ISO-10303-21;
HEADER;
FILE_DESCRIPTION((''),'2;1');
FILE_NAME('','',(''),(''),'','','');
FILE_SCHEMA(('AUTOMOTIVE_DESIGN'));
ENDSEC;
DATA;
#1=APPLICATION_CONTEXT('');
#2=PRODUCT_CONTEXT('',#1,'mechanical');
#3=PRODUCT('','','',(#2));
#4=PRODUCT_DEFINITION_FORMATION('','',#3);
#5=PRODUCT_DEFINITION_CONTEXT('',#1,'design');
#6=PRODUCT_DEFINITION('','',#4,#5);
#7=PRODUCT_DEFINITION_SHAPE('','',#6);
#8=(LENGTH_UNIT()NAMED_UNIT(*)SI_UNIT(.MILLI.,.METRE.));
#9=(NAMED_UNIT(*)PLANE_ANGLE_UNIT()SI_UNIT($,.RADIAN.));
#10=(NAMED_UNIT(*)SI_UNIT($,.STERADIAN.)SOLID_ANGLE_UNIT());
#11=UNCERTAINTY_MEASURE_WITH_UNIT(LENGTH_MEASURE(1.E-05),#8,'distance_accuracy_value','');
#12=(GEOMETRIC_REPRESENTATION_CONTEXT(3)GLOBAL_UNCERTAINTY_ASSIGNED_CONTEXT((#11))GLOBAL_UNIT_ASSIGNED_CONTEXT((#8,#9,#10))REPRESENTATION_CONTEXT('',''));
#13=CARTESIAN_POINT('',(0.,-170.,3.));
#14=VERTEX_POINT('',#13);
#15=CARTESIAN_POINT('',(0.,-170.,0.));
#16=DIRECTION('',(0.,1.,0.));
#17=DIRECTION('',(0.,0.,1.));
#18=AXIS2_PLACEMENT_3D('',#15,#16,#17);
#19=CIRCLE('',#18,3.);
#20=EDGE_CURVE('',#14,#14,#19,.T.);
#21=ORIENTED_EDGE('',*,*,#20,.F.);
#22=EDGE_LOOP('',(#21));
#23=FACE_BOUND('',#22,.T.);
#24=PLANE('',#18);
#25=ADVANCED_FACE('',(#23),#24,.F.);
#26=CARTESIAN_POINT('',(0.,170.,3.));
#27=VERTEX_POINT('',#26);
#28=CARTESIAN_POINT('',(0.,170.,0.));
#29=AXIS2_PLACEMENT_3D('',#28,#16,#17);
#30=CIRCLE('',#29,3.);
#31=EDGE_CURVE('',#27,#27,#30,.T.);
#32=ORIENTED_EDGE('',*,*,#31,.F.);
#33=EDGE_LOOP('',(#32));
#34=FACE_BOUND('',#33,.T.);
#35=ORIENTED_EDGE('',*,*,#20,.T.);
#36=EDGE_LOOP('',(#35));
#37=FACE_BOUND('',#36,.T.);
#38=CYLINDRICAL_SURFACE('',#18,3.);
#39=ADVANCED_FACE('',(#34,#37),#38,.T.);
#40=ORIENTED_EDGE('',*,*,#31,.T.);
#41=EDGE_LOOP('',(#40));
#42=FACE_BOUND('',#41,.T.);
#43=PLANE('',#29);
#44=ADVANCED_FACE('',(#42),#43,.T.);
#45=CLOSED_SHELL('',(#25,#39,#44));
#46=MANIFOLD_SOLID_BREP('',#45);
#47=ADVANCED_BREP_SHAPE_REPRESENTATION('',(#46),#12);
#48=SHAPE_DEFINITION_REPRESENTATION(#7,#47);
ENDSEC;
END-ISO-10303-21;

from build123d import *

# Parameters (mm, degrees)
BOSS_EXTRUDE1_DEPTH      = 170
BOSS_EXTRUDE1_DEPTH_BACK = 170
SKETCH1_R                = 3


with BuildPart() as part:
    # Sketch1 → Boss-Extrude1 (new, two sides: drawn at the far end of the back side and taken through both)
    with BuildSketch(Plane(origin=(0, 0, 0), x_dir=(1, 0, 0), z_dir=(0, 1, 0)).offset(-BOSS_EXTRUDE1_DEPTH_BACK)):
        Circle(SKETCH1_R)
    extrude(amount=BOSS_EXTRUDE1_DEPTH + BOSS_EXTRUDE1_DEPTH_BACK)


solid = part.part
